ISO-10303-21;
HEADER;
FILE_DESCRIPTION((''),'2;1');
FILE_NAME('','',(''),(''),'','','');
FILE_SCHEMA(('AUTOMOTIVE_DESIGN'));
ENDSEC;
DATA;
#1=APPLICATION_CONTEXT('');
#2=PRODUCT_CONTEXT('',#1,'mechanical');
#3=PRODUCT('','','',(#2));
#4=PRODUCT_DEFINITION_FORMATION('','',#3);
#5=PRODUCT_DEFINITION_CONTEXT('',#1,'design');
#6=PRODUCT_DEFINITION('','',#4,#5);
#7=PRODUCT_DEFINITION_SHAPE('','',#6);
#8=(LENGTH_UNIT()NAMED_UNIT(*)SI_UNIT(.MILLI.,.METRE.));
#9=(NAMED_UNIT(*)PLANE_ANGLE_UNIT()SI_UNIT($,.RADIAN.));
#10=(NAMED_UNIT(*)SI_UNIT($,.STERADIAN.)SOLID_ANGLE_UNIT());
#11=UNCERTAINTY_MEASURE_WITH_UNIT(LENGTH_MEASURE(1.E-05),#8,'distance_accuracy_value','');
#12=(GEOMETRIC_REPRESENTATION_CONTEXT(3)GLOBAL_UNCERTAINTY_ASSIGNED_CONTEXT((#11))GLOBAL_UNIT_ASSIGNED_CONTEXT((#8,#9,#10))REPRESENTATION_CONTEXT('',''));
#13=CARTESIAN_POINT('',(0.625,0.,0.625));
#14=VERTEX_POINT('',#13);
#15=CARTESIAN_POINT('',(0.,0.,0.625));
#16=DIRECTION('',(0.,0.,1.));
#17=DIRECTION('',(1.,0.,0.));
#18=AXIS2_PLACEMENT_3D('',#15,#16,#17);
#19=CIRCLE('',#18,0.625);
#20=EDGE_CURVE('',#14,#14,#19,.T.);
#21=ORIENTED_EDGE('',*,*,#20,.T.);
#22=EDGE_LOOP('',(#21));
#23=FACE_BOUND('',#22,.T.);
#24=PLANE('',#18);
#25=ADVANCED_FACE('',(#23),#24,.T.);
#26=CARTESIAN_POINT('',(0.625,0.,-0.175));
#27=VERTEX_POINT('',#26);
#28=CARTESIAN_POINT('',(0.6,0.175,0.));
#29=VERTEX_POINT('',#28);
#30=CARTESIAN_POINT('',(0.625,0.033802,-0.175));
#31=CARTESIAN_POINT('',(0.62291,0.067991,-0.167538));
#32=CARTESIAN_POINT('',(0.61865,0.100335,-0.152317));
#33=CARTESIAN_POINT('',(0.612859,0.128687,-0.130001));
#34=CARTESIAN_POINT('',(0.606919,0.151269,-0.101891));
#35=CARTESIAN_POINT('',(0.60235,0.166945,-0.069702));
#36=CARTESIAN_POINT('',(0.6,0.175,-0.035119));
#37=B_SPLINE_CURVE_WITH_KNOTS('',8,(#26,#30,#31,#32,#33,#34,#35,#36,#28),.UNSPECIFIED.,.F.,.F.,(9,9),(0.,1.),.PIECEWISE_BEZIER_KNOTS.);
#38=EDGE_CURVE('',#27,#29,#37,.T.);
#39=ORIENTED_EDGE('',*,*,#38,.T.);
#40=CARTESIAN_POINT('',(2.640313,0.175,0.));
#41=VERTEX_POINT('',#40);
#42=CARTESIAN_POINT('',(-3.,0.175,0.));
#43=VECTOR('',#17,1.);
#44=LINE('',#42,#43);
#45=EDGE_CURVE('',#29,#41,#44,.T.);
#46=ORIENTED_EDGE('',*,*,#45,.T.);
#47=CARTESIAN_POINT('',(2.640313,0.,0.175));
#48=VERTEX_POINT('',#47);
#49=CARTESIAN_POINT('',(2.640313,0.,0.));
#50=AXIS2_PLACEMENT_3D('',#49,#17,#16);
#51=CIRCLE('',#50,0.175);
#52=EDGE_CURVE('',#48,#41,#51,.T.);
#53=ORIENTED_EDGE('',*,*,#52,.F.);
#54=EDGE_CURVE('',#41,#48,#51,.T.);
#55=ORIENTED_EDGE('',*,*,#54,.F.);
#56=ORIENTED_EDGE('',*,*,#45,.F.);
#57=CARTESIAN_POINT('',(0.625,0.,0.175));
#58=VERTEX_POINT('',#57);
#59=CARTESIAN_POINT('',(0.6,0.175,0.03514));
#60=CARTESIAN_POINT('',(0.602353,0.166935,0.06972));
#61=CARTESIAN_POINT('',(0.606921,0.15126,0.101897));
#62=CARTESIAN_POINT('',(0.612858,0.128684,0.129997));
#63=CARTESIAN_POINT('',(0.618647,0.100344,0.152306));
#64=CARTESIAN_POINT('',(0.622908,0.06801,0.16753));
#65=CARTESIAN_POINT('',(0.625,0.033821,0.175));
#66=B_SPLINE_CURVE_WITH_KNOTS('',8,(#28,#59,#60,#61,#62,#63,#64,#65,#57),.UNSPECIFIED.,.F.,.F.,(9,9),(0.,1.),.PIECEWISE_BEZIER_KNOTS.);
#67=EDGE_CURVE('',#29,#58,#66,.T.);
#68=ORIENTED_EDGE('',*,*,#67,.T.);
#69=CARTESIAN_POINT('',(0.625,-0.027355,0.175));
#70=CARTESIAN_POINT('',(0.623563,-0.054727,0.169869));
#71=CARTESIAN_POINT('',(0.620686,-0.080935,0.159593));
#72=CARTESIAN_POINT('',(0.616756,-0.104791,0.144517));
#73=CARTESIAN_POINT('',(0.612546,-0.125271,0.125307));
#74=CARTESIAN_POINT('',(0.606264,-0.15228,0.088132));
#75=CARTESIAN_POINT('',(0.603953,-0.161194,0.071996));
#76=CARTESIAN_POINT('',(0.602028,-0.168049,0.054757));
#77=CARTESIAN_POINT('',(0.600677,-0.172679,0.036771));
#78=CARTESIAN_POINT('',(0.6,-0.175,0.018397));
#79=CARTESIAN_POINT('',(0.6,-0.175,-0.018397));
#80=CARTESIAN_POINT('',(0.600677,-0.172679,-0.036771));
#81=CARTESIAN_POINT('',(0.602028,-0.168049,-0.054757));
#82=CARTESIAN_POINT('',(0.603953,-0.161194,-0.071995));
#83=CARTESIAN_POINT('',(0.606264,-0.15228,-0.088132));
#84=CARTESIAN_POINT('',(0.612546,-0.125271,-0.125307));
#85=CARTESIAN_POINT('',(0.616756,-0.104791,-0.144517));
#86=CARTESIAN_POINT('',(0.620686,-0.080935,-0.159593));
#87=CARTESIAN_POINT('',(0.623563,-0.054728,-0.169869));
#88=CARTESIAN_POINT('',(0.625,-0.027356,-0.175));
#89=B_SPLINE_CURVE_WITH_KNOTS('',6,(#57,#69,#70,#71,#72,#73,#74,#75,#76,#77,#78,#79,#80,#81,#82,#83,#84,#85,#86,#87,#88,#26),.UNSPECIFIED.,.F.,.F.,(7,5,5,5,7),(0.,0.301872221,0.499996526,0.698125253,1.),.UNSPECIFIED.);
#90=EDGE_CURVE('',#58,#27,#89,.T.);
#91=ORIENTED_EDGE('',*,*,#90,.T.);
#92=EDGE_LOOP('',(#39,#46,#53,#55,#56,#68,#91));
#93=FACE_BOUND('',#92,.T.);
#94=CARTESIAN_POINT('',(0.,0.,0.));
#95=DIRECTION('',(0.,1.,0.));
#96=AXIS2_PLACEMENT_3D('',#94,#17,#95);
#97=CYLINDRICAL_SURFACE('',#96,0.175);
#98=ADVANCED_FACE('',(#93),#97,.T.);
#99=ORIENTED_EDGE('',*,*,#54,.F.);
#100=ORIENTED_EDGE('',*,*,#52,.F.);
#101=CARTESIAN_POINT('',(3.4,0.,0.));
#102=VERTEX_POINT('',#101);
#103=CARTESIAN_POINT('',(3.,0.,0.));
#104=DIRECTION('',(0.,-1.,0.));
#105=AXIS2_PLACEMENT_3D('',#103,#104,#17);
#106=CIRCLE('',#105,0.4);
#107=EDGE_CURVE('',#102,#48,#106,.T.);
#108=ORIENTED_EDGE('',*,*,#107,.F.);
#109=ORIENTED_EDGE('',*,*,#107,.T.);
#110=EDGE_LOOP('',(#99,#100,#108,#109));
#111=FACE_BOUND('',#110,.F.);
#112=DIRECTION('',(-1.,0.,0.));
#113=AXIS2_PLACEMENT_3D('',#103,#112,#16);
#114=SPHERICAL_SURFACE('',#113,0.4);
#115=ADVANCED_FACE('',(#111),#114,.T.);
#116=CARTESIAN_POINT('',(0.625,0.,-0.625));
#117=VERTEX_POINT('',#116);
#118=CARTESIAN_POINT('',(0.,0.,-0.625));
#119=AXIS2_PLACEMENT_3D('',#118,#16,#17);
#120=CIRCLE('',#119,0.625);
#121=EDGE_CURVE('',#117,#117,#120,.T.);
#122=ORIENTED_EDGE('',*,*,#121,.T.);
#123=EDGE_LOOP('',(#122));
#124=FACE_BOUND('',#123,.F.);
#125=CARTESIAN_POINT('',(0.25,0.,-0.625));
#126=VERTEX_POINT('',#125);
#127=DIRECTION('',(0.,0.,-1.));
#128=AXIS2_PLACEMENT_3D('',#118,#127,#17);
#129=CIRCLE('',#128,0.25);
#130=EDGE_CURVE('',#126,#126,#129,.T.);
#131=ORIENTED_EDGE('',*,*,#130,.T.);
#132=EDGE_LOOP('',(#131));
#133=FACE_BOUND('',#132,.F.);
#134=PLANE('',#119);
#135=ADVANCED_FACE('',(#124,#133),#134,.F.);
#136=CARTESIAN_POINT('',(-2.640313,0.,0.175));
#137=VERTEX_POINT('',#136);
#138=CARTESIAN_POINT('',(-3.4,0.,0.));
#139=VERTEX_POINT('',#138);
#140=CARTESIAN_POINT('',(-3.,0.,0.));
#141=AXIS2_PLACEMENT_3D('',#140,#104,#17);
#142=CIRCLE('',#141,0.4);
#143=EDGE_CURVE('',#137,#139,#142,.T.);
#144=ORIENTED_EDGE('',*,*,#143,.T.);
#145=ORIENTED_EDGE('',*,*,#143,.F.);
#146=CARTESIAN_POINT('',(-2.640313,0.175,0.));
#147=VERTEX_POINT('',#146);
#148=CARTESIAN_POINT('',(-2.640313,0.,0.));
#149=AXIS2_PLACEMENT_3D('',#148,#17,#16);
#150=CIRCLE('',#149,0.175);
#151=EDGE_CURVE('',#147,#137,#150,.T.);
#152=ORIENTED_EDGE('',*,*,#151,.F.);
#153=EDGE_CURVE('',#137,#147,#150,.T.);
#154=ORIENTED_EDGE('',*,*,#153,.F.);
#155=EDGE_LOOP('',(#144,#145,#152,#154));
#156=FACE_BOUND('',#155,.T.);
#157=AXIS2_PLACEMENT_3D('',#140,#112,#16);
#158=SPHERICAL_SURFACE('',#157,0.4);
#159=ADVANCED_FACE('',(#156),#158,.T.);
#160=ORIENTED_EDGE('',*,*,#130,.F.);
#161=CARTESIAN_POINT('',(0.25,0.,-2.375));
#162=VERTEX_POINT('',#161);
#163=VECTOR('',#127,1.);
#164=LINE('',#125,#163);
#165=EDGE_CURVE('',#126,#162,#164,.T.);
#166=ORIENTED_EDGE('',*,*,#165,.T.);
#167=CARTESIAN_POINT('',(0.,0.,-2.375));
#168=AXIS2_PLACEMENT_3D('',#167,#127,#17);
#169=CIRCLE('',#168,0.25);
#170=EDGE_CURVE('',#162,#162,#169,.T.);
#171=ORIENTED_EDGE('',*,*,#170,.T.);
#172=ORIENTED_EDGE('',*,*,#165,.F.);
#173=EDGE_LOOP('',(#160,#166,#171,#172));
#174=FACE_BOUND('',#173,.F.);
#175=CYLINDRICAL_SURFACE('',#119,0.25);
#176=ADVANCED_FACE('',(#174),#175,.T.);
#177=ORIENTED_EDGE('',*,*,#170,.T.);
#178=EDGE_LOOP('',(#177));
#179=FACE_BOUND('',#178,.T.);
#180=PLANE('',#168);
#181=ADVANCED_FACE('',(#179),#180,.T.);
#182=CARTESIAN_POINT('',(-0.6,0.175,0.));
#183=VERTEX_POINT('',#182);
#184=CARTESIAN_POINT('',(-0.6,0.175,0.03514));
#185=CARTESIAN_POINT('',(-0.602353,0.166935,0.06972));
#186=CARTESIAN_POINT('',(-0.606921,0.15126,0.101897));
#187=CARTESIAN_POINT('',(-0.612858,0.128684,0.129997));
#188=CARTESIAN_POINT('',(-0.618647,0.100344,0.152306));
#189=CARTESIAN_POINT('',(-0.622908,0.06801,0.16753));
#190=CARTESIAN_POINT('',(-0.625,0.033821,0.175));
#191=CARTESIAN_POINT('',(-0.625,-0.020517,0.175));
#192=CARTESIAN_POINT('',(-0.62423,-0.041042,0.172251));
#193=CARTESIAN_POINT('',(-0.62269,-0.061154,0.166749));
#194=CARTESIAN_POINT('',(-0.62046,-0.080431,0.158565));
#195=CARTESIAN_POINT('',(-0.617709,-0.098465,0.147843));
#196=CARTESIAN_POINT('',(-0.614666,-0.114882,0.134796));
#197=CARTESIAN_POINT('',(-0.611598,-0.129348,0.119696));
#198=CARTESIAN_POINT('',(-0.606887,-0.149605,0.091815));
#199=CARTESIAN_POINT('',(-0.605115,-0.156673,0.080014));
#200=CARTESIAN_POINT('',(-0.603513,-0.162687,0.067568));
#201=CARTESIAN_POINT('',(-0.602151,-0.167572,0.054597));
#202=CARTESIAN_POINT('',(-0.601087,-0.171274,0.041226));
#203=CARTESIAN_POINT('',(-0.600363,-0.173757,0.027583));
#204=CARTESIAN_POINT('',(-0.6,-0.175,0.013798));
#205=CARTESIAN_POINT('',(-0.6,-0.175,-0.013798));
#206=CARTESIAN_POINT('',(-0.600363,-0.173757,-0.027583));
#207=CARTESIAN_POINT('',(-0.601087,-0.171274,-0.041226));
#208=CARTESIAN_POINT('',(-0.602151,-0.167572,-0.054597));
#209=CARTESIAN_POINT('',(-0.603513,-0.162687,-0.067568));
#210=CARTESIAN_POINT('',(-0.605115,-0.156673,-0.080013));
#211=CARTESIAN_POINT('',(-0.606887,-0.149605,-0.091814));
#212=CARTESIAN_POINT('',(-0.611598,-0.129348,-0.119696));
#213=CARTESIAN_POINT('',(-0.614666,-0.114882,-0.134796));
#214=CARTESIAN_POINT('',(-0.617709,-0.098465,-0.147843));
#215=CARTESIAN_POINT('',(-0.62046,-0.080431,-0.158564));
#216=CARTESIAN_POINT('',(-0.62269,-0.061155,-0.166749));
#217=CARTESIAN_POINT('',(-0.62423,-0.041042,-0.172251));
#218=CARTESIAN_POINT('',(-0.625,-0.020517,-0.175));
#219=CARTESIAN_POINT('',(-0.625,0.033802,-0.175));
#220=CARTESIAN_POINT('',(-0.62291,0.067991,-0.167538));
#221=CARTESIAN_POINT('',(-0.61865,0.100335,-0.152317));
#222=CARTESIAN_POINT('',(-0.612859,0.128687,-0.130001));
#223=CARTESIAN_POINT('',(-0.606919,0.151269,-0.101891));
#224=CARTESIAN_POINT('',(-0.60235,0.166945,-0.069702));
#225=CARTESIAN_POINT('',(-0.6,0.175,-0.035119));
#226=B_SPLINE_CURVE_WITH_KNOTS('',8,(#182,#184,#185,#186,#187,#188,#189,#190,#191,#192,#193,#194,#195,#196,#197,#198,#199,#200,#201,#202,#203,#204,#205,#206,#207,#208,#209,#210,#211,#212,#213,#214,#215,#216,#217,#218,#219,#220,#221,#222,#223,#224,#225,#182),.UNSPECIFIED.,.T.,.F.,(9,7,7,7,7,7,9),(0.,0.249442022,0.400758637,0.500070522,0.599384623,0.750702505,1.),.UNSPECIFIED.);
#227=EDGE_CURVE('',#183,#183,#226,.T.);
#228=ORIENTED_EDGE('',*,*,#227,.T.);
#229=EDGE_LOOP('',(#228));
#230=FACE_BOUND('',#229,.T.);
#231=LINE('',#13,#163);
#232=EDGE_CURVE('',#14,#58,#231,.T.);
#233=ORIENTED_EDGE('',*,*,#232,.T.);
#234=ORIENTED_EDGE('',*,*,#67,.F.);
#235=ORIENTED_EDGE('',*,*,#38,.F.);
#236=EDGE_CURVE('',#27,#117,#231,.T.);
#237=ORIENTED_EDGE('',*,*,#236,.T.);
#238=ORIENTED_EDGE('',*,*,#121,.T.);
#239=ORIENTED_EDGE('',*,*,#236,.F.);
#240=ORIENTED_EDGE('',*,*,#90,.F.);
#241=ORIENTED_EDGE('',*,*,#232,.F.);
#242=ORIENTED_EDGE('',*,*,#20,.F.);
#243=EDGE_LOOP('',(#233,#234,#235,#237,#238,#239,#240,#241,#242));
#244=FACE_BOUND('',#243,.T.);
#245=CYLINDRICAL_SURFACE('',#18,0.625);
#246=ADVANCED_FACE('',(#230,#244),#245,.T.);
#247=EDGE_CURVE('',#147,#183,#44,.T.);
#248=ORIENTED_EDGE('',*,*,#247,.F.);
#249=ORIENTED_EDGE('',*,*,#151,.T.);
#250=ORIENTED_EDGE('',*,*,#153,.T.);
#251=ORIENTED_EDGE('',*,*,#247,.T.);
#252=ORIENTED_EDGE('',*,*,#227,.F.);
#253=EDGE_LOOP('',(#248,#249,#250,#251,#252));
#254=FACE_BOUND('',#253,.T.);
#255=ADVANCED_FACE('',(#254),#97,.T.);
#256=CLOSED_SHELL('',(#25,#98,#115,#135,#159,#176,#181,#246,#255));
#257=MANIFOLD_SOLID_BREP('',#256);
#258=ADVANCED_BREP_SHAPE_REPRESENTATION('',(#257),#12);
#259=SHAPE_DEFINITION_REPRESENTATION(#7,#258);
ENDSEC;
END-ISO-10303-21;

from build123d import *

# Parameters (mm, degrees)
F1_R     = 0.175
F4_DEPTH = 3
F6_R     = 0.625
F7_DEPTH = 1.25
F8_R     = 0.25
F9_DEPTH = 1.75


with BuildPart() as f2:
    # F0 (on Front) → F2 (revolve)
    with BuildSketch(Plane.XZ):
        with BuildLine():
            Line((-3.4, 0), (-3, 0))
            Line((-3, 0), (-2.6, 0))
            ThreePointArc((-2.6, 0), (-3, 0.4), (-3.4, 0))
        make_face()
    revolve(axis=Axis((-3.2, 0, 0), (-1, 0, 0)))



with BuildPart() as f3:
    # F0 (on Front) → F3 (revolve)
    with BuildSketch(Plane.XZ):
        with BuildLine():
            Line((-3.4, 0), (-3, 0))
            Line((-3, 0), (-2.6, 0))
            ThreePointArc((-2.6, 0), (-3, 0.4), (-3.4, 0))
        make_face()
        with BuildLine():
            ThreePointArc((3.4, 0), (3, 0.4), (2.6, 0))
            Line((2.6, 0), (3, 0))
            Line((3, 0), (3.4, 0))
        make_face()
    revolve(axis=Axis((3.2, 0, 0), (1, 0, 0)))


with BuildPart() as f2_1:
    add(f2.part)

    add(f3.part)  # F4 merges F3
    # F1 (on Right) → F4 (join, symmetric)
    with BuildSketch(Plane.YZ):
        Circle(F1_R)
    extrude(amount=F4_DEPTH, both=True)

    # F6 (on offset) → F7 (join)
    with BuildSketch(Plane.XY.offset(0.625)):
        Circle(F6_R)
    extrude(amount=-F7_DEPTH)

    # F8 (on face) → F9 (join)
    with BuildSketch(Plane(origin=(0, 0, -0.625), x_dir=(1, 0, 0), z_dir=(0, 0, -1))):
        Circle(F8_R)
    extrude(amount=F9_DEPTH)


solid = f2_1.part
